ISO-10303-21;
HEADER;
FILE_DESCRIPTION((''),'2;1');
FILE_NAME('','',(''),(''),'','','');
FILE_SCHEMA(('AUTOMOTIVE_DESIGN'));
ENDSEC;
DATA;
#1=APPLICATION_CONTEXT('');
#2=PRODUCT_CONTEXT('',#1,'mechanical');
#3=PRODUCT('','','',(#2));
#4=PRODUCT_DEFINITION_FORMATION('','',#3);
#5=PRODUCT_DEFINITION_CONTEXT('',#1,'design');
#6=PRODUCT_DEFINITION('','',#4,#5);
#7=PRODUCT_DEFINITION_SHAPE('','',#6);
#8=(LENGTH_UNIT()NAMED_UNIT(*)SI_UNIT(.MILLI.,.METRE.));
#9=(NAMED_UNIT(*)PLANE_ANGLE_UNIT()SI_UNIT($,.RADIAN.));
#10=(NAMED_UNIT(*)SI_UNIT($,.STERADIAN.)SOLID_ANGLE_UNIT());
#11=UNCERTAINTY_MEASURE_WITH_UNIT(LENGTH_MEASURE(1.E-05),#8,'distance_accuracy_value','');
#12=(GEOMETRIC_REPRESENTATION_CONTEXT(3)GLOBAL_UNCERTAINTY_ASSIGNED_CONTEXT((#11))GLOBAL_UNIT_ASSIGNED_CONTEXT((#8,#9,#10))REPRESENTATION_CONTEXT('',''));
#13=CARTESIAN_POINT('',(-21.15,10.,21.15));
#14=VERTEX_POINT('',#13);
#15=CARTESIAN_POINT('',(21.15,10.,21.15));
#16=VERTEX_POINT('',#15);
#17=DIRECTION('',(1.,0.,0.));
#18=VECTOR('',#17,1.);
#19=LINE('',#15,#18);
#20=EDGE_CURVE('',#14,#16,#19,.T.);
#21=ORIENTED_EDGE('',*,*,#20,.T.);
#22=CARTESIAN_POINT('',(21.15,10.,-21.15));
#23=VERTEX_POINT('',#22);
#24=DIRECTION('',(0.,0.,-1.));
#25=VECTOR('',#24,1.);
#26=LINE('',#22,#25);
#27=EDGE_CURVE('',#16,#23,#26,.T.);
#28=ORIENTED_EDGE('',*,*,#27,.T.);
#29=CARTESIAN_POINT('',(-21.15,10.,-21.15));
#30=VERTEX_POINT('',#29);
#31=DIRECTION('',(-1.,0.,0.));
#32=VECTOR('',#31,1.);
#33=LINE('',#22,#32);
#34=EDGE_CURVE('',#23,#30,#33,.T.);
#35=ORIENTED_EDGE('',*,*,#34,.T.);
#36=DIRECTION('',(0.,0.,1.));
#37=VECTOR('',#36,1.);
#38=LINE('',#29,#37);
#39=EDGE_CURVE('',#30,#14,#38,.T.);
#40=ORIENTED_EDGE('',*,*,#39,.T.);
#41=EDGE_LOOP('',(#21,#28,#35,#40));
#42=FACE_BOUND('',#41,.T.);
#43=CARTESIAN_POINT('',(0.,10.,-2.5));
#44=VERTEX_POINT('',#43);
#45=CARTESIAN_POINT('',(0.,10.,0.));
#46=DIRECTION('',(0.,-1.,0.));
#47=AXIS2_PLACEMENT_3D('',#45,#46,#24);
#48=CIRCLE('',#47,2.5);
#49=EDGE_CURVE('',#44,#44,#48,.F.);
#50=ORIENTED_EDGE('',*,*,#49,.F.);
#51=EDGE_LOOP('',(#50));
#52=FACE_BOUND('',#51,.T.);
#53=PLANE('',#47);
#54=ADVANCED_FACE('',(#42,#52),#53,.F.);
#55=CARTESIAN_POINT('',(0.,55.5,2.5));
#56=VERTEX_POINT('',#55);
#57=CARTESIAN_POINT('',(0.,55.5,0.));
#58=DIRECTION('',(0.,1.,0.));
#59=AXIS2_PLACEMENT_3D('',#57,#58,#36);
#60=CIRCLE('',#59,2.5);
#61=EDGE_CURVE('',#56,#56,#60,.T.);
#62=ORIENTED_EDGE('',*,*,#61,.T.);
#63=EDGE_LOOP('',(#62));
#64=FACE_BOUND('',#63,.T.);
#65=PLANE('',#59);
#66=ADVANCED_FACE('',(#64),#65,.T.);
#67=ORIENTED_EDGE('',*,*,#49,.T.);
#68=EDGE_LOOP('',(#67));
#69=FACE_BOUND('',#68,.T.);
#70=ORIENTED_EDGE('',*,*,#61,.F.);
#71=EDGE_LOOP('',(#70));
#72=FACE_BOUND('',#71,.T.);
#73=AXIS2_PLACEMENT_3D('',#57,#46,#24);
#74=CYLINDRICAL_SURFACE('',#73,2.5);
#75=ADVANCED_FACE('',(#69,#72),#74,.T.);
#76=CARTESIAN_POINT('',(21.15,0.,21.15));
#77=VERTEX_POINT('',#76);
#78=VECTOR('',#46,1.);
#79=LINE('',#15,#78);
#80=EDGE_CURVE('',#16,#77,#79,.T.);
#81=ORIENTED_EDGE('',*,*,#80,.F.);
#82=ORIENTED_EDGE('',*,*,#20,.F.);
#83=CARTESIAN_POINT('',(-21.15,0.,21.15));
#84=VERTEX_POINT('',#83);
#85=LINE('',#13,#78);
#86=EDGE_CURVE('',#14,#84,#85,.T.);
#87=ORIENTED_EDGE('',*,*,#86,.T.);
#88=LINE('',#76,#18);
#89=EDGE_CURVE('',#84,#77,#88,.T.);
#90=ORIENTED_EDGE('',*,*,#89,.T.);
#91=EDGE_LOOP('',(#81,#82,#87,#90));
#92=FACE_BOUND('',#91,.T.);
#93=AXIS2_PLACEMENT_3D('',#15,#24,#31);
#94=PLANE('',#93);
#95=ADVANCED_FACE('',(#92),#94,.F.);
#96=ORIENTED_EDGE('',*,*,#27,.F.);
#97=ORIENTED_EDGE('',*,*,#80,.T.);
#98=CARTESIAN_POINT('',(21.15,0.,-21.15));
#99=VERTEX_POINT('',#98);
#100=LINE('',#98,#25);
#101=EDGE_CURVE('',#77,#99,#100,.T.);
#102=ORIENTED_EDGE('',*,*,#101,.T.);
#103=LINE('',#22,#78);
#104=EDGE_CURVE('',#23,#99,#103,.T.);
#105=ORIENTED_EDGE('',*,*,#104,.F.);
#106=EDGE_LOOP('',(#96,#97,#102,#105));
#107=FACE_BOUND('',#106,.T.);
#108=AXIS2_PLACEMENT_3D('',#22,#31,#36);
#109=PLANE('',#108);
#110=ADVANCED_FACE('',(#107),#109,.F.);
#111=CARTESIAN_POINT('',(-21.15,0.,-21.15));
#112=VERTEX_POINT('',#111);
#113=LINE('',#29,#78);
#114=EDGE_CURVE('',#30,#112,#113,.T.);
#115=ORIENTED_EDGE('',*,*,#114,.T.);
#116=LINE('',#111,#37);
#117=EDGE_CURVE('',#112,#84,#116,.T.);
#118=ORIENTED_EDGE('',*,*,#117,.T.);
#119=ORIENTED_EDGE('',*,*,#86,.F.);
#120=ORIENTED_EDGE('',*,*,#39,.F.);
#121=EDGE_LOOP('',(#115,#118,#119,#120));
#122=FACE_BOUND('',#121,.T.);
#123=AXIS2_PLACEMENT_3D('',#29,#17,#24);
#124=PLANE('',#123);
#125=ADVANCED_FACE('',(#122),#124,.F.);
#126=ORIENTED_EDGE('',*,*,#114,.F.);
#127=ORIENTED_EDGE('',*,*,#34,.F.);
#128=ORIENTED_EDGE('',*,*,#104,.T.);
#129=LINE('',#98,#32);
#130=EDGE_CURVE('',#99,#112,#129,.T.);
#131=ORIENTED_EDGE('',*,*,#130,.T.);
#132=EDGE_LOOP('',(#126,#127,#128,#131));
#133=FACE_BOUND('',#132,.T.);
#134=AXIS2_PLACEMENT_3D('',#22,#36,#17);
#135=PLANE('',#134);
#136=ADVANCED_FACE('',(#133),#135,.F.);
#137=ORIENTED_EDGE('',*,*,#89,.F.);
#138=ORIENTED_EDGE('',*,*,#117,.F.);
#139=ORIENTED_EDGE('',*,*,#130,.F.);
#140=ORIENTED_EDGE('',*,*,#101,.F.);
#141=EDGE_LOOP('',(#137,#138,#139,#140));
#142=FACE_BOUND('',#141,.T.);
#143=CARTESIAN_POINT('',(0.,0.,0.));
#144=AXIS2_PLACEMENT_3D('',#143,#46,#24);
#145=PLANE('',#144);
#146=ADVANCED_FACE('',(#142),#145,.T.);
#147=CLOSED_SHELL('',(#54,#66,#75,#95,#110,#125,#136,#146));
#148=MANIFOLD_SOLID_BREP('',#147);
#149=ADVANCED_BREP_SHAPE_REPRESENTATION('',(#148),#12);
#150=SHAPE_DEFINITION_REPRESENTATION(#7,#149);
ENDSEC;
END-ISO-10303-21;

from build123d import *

# Parameters (mm, degrees)
SKETCH1_W           = 42.3
SKETCH1_H           = 42.3
BOSS_EXTRUDE1_DEPTH = 10
SKETCH2_R           = 2.5
BOSS_EXTRUDE2_DEPTH = 45.5


with BuildPart() as part:
    # Sketch1 → Boss-Extrude1 (new body)
    with BuildSketch(Plane(origin=(0, 0, 0), x_dir=(1, 0, 0), z_dir=(0, 1, 0))):
        Rectangle(SKETCH1_W, SKETCH1_H)
    extrude(amount=BOSS_EXTRUDE1_DEPTH)

    # Sketch2 → Boss-Extrude2 (add)
    with BuildSketch(Plane(origin=(0, 10, 0), x_dir=(1, 0, 0), z_dir=(0, 1, 0))):
        Circle(SKETCH2_R)
    extrude(amount=BOSS_EXTRUDE2_DEPTH)


solid = part.part
